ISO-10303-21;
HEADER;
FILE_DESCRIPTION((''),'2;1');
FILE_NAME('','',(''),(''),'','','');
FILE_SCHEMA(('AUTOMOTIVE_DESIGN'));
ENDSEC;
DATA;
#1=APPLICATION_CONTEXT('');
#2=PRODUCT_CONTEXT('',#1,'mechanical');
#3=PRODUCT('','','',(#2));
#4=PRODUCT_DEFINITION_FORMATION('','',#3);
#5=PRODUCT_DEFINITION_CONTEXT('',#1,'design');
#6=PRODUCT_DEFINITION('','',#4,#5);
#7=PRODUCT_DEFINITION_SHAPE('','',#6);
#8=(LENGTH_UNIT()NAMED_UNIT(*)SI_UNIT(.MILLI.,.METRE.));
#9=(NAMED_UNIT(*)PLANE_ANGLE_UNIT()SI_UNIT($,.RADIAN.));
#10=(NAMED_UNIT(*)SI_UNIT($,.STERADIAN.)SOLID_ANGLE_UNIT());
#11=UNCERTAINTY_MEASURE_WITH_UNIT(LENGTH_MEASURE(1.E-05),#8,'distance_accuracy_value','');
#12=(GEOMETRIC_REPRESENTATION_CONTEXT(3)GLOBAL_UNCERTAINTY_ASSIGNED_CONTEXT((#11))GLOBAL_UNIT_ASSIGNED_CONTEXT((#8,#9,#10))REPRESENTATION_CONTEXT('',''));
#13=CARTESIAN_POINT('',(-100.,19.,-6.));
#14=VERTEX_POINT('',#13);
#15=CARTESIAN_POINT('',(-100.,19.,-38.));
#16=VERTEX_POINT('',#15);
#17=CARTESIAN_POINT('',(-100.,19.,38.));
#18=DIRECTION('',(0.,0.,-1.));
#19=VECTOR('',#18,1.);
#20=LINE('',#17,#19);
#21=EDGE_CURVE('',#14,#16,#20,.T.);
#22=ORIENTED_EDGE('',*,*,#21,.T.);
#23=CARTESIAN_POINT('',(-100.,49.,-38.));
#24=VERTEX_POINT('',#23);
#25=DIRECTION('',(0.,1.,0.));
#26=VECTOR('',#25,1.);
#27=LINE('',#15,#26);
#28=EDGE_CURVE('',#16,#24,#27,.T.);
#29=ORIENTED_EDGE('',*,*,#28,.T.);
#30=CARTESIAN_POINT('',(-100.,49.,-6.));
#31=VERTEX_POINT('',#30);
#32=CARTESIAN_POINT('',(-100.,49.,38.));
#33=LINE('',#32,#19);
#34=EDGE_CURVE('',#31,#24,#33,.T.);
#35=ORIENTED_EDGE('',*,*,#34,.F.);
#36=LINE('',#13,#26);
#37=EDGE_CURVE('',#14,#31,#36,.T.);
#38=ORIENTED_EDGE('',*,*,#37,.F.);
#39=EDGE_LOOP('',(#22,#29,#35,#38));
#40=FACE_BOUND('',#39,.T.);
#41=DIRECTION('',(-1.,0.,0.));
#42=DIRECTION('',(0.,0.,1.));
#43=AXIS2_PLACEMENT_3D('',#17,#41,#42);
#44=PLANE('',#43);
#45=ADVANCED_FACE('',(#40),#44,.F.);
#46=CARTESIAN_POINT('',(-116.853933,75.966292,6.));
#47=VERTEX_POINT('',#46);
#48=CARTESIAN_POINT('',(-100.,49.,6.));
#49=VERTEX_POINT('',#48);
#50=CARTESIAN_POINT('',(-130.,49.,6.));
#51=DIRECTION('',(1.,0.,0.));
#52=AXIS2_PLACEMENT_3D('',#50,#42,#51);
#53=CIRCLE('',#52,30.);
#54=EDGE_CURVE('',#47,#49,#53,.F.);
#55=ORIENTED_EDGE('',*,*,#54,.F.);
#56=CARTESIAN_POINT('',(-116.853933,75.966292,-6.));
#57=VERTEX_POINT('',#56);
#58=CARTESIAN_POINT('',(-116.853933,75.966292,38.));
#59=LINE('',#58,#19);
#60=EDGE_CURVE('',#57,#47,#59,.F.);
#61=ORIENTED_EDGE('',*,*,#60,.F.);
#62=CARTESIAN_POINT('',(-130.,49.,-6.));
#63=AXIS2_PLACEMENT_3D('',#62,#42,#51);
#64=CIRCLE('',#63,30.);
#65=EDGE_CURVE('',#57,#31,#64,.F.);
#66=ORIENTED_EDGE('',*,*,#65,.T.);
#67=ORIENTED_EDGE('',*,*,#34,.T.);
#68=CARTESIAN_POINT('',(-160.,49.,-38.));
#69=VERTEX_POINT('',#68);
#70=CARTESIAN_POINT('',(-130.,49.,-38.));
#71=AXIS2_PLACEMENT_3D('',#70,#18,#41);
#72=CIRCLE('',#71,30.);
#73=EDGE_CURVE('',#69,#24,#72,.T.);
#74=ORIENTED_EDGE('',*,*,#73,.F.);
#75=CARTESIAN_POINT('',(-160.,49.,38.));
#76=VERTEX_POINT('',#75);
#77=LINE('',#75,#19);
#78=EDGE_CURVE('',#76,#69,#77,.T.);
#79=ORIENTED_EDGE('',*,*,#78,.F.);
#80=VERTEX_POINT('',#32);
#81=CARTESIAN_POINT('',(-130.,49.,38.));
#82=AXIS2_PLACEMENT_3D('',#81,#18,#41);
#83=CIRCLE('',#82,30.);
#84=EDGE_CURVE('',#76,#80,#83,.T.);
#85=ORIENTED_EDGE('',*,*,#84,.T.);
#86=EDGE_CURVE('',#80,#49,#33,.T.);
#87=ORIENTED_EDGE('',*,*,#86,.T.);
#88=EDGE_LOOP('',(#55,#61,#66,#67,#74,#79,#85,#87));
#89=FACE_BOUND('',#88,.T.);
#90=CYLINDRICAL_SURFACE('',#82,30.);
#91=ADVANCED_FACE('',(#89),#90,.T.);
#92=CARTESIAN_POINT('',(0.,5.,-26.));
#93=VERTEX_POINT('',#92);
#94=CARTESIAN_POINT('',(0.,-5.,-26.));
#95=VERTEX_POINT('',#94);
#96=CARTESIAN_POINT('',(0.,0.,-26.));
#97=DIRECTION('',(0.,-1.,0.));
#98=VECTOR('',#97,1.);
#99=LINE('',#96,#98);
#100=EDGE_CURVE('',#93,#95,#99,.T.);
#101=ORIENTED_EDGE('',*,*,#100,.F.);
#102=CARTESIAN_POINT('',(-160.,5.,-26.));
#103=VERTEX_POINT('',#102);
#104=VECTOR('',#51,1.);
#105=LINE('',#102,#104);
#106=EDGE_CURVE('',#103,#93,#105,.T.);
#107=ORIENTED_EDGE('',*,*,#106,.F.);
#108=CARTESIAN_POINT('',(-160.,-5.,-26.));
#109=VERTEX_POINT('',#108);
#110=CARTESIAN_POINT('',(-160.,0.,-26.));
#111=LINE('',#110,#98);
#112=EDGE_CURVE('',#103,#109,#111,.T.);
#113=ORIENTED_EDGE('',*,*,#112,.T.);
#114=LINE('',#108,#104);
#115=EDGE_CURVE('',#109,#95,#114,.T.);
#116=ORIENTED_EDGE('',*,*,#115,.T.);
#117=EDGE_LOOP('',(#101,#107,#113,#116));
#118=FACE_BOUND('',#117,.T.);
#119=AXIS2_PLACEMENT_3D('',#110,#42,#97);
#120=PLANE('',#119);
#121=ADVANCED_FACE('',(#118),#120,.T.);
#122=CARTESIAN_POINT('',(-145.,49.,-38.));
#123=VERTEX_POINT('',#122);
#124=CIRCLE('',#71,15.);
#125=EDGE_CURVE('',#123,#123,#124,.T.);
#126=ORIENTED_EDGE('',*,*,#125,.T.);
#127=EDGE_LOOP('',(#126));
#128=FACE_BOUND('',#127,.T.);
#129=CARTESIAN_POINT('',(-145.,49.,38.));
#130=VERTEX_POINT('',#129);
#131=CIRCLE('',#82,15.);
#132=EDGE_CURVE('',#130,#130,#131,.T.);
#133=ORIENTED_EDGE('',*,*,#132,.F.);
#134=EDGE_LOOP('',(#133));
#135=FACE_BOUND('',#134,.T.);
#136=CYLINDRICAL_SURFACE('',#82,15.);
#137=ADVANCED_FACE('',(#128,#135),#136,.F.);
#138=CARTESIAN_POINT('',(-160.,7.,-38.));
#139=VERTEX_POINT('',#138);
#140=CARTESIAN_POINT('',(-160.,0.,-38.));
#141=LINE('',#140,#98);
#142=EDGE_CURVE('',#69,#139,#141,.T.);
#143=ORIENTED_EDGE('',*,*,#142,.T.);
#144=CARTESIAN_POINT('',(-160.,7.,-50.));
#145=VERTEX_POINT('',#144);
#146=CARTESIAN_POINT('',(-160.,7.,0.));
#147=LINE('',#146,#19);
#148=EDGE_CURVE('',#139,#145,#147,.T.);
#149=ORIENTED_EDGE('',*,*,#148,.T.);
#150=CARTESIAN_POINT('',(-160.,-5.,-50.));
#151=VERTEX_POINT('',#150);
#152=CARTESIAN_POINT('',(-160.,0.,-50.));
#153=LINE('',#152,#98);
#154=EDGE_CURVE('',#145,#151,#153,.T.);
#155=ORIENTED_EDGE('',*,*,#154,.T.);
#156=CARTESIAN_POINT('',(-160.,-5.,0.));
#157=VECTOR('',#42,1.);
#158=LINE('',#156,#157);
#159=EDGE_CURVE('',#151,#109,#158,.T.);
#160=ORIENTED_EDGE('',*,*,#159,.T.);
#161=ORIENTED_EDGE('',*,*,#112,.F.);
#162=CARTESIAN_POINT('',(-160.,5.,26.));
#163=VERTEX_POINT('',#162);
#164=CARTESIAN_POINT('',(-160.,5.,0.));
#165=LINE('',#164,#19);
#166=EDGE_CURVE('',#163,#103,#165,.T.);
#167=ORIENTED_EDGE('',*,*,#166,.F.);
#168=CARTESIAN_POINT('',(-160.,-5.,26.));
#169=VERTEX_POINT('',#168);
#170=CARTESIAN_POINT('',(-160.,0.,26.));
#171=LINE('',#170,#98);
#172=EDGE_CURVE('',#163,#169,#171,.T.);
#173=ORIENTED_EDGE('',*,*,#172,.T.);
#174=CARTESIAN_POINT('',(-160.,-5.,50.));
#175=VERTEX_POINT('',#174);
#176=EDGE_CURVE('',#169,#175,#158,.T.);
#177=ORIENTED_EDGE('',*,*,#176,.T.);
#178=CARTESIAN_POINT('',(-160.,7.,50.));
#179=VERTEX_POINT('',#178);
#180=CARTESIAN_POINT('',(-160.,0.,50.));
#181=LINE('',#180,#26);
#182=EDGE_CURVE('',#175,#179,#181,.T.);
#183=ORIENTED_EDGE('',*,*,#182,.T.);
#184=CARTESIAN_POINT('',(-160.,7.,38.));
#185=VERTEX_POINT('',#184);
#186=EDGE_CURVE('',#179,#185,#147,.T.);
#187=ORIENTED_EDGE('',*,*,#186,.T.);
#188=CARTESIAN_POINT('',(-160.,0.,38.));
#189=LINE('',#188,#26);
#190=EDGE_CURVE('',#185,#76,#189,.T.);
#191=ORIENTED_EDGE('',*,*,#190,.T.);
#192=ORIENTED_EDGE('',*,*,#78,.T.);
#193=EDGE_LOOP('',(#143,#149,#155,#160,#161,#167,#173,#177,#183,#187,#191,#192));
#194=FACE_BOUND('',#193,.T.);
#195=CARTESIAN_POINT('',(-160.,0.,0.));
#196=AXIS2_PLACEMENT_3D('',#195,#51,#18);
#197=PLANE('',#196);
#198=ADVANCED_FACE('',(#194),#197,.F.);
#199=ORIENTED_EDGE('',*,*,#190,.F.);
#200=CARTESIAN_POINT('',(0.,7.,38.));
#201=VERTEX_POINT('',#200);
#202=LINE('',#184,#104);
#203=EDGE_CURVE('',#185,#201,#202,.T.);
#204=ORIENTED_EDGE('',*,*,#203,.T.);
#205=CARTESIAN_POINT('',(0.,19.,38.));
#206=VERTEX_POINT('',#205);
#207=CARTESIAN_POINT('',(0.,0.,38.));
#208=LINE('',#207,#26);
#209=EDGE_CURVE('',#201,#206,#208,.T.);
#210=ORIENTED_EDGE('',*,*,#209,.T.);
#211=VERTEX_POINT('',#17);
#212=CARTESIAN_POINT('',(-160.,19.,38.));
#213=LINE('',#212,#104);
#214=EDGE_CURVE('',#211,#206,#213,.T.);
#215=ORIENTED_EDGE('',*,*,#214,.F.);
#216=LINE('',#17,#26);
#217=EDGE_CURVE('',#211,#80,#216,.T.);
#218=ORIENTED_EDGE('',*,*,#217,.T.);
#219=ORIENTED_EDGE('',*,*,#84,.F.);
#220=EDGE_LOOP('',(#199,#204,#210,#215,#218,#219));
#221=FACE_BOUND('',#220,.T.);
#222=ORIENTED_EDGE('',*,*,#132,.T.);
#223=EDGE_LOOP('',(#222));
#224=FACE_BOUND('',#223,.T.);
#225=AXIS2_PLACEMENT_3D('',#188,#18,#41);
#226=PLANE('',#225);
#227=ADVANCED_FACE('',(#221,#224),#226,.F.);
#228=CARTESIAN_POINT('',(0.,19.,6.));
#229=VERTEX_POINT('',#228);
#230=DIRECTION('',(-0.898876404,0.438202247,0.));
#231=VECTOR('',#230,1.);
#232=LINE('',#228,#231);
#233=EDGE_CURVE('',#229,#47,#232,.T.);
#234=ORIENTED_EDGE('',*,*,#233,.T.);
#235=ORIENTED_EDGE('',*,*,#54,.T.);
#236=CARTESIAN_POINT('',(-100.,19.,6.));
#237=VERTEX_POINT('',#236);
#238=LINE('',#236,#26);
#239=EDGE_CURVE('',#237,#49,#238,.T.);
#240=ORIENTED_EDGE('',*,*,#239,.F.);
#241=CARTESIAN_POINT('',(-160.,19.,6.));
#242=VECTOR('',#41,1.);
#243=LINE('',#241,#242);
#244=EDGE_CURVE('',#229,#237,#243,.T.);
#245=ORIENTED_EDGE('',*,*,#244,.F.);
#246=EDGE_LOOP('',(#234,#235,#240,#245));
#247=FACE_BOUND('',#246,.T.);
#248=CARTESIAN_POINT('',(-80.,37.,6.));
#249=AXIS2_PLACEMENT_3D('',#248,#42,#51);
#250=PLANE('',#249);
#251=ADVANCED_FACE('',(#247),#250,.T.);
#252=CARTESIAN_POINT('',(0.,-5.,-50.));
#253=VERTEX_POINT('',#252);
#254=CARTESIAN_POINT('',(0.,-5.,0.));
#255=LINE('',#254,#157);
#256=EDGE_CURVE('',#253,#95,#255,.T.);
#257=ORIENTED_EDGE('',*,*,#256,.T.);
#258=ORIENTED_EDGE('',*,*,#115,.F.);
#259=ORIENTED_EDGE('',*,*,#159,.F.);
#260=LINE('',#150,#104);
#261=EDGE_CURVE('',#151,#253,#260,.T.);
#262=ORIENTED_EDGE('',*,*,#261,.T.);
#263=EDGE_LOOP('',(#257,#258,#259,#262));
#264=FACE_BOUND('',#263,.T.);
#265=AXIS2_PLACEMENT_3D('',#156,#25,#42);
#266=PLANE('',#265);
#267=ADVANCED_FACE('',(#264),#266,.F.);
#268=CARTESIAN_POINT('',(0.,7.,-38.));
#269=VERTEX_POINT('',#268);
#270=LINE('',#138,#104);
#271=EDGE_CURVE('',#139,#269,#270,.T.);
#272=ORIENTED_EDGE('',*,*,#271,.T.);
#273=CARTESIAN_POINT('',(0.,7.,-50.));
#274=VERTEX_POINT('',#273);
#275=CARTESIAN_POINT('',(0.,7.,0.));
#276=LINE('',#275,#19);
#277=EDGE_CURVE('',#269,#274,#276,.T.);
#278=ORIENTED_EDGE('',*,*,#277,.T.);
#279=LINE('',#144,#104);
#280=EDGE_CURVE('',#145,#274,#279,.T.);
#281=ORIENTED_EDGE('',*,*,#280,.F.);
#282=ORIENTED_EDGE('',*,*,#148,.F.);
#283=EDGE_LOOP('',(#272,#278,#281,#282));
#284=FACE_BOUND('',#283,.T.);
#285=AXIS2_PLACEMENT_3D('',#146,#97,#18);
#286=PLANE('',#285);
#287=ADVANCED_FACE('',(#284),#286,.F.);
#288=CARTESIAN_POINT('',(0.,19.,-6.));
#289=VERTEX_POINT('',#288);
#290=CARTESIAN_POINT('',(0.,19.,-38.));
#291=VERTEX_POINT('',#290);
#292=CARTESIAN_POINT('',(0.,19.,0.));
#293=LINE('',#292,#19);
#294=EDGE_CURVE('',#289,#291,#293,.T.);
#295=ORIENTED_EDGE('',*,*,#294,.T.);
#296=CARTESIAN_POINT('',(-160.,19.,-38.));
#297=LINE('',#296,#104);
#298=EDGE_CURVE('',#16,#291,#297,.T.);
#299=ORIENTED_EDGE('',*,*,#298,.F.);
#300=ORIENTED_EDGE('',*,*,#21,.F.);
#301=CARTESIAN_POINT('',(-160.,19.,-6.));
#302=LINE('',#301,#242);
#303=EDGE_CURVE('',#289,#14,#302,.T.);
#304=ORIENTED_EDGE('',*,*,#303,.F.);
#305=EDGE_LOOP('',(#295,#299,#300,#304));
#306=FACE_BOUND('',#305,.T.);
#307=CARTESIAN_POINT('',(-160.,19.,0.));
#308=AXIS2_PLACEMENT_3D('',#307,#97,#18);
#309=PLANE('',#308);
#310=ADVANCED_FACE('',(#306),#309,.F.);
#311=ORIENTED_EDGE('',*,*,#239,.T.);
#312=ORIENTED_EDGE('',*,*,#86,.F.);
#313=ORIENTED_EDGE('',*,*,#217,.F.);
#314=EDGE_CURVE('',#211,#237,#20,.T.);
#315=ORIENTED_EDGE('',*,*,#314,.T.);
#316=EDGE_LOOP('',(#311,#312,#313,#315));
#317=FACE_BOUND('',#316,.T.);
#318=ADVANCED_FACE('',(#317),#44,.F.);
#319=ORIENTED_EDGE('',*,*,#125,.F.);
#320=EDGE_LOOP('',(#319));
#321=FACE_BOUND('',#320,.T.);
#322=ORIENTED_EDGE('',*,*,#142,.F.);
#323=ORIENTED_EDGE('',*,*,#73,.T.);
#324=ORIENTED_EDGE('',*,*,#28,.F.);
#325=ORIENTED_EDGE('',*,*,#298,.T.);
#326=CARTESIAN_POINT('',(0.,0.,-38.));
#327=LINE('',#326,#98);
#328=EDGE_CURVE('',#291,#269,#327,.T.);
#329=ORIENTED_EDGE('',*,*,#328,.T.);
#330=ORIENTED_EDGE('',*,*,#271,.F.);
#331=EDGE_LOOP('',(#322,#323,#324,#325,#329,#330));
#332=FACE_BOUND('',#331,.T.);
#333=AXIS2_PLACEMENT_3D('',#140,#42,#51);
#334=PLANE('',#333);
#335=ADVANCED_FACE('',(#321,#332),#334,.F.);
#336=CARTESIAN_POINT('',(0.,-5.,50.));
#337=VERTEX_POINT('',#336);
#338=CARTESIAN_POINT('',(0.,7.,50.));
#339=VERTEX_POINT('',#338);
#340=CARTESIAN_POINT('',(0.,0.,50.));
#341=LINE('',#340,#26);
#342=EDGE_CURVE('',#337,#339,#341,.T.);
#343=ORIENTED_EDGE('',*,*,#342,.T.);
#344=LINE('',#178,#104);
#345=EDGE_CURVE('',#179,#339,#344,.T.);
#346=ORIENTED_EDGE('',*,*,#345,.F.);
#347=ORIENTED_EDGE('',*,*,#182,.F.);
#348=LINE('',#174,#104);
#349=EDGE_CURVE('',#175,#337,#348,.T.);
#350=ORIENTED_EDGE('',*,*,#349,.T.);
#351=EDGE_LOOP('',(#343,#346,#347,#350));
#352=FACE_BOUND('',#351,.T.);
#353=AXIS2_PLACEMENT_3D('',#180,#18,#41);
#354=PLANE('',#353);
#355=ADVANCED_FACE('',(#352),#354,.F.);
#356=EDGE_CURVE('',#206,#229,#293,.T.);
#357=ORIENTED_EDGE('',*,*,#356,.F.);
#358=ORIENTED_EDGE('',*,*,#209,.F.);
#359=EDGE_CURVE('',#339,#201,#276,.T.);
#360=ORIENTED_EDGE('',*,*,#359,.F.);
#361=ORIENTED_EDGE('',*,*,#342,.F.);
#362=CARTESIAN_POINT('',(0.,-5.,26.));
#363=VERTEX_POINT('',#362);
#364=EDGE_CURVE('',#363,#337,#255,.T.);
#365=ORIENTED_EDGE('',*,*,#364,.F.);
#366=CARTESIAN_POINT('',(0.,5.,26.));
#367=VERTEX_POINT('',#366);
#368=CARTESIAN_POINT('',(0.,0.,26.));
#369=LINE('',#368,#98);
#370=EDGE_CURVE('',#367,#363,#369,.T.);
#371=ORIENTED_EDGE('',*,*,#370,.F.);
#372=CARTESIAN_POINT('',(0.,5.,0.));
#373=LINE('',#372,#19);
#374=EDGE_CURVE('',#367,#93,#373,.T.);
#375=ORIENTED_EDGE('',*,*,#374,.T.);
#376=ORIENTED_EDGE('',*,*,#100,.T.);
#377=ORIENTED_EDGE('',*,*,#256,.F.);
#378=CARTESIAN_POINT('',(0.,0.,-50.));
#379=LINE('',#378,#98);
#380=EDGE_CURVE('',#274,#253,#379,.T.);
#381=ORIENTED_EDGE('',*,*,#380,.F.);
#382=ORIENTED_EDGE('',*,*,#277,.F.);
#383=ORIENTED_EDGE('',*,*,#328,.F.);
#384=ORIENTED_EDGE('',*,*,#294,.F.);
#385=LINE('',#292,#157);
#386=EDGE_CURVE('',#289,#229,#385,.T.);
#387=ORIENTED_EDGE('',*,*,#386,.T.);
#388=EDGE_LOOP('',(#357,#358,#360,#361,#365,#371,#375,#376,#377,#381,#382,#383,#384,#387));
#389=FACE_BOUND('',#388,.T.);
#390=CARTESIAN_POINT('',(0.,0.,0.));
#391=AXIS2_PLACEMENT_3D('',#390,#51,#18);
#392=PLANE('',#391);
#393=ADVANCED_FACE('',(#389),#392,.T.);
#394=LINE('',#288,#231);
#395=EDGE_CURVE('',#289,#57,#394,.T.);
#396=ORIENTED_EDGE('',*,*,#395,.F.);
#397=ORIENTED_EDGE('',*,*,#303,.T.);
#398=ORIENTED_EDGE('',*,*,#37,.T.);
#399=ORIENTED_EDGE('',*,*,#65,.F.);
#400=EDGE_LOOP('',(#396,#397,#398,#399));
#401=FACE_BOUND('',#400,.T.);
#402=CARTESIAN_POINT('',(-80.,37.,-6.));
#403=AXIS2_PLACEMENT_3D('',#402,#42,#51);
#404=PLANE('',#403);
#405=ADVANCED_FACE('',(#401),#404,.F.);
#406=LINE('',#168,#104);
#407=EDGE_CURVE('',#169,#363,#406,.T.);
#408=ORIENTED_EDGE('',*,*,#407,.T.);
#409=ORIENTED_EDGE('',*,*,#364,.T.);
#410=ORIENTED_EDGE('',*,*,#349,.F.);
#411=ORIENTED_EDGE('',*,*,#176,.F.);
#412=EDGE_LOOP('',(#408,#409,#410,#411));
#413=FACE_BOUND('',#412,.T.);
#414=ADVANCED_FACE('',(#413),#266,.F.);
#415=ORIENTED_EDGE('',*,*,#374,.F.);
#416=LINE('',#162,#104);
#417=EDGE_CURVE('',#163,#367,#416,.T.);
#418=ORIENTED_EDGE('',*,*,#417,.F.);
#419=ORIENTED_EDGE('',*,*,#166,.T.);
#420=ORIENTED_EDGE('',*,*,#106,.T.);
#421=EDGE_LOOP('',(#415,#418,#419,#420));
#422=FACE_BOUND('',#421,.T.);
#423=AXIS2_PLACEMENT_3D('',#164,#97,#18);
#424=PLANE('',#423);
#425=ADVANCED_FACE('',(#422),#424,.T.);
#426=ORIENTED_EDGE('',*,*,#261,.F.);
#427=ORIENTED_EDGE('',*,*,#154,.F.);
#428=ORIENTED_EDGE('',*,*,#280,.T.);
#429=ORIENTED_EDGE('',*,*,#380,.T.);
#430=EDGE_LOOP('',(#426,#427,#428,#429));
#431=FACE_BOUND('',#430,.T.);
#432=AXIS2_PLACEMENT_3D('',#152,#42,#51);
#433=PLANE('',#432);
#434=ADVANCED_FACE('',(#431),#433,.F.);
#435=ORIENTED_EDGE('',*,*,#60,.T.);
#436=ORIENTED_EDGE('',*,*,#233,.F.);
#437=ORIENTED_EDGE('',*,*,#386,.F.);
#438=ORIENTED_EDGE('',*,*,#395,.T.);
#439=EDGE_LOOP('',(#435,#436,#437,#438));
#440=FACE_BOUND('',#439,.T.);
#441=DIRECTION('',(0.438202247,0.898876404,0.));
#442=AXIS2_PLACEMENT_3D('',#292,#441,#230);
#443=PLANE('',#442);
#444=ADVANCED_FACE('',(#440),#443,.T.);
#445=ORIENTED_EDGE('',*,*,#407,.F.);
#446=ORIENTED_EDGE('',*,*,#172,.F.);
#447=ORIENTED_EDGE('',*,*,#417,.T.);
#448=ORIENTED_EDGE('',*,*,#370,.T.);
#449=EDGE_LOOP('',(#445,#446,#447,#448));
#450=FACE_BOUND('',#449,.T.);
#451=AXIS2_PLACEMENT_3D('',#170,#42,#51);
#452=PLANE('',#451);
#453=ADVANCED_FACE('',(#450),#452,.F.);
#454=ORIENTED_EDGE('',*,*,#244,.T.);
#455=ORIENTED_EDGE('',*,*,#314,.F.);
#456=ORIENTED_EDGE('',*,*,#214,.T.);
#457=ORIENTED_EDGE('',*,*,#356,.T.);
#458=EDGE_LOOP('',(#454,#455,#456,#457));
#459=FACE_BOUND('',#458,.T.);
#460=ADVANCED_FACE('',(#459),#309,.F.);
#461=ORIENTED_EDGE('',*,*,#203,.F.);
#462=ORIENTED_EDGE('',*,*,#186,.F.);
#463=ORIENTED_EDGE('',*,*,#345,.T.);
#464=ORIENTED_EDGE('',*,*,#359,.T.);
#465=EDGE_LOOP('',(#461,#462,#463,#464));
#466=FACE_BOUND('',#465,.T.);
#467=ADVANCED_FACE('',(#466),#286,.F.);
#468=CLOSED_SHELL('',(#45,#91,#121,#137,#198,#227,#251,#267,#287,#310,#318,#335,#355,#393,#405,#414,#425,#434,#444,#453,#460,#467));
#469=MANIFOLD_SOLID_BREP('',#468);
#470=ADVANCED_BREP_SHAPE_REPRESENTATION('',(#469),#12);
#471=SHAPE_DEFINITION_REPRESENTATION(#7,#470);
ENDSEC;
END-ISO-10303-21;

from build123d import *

# Parameters (mm, degrees)
BOSS_EXTRUDE1_DEPTH = 160
SKETCH2_R           = 15
BOSS_EXTRUDE4_DEPTH = 76
RIB4_REACH          = 187.313
SKETCH5_WALL_W      = 502.626496624
SKETCH5_WALL_H      = 12


with BuildPart() as part:
    # Sketch1 → Boss-Extrude1 (new body)
    with BuildSketch(Plane(origin=(0, 0, 0), x_dir=(0, 0, -1), z_dir=(1, 0, 0))):
        Polygon((-26, 5), (26, 5), (26, -5), (50, -5), (50, 7), (38, 7), (38, 19), (-38, 19), (-38, 7), (-50, 7), (-50, -5), (-26, -5), align=None)
    extrude(amount=-BOSS_EXTRUDE1_DEPTH)

    # Sketch2 → Boss-Extrude4 (add)
    with BuildSketch(Plane(origin=(0, 0, -38), x_dir=(-1, 0, 0), z_dir=(0, 0, -1))):
        with BuildLine():
            Line((160, 19), (160, 49))
            ThreePointArc((160, 49), (130, 79), (100, 49))
            Line((100, 49), (100, 19))
            Line((100, 19), (160, 19))
        make_face()
        with Locations((130, 49)):
            Circle(SKETCH2_R, mode=Mode.SUBTRACT)
    extrude(amount=-BOSS_EXTRUDE4_DEPTH)

    # Sketch5 wall → Rib4 (add, up to next)
    with BuildSketch(Plane(origin=(-58.426966292, 47.483146068, 0), x_dir=(-0.898876404493, 0.438202247193, 0), z_dir=(-0.438202247193, -0.898876404493, 0)), mode=Mode.PRIVATE) as rib4_sk1:
        Rectangle(SKETCH5_WALL_W, SKETCH5_WALL_H)
    rib4_tool1 = extrude(rib4_sk1.sketch, amount=RIB4_REACH, mode=Mode.PRIVATE) - part.part
    add(rib4_tool1.solids().sort_by_distance((-58.426966292, 47.483146068, 0))[0])


solid = part.part
